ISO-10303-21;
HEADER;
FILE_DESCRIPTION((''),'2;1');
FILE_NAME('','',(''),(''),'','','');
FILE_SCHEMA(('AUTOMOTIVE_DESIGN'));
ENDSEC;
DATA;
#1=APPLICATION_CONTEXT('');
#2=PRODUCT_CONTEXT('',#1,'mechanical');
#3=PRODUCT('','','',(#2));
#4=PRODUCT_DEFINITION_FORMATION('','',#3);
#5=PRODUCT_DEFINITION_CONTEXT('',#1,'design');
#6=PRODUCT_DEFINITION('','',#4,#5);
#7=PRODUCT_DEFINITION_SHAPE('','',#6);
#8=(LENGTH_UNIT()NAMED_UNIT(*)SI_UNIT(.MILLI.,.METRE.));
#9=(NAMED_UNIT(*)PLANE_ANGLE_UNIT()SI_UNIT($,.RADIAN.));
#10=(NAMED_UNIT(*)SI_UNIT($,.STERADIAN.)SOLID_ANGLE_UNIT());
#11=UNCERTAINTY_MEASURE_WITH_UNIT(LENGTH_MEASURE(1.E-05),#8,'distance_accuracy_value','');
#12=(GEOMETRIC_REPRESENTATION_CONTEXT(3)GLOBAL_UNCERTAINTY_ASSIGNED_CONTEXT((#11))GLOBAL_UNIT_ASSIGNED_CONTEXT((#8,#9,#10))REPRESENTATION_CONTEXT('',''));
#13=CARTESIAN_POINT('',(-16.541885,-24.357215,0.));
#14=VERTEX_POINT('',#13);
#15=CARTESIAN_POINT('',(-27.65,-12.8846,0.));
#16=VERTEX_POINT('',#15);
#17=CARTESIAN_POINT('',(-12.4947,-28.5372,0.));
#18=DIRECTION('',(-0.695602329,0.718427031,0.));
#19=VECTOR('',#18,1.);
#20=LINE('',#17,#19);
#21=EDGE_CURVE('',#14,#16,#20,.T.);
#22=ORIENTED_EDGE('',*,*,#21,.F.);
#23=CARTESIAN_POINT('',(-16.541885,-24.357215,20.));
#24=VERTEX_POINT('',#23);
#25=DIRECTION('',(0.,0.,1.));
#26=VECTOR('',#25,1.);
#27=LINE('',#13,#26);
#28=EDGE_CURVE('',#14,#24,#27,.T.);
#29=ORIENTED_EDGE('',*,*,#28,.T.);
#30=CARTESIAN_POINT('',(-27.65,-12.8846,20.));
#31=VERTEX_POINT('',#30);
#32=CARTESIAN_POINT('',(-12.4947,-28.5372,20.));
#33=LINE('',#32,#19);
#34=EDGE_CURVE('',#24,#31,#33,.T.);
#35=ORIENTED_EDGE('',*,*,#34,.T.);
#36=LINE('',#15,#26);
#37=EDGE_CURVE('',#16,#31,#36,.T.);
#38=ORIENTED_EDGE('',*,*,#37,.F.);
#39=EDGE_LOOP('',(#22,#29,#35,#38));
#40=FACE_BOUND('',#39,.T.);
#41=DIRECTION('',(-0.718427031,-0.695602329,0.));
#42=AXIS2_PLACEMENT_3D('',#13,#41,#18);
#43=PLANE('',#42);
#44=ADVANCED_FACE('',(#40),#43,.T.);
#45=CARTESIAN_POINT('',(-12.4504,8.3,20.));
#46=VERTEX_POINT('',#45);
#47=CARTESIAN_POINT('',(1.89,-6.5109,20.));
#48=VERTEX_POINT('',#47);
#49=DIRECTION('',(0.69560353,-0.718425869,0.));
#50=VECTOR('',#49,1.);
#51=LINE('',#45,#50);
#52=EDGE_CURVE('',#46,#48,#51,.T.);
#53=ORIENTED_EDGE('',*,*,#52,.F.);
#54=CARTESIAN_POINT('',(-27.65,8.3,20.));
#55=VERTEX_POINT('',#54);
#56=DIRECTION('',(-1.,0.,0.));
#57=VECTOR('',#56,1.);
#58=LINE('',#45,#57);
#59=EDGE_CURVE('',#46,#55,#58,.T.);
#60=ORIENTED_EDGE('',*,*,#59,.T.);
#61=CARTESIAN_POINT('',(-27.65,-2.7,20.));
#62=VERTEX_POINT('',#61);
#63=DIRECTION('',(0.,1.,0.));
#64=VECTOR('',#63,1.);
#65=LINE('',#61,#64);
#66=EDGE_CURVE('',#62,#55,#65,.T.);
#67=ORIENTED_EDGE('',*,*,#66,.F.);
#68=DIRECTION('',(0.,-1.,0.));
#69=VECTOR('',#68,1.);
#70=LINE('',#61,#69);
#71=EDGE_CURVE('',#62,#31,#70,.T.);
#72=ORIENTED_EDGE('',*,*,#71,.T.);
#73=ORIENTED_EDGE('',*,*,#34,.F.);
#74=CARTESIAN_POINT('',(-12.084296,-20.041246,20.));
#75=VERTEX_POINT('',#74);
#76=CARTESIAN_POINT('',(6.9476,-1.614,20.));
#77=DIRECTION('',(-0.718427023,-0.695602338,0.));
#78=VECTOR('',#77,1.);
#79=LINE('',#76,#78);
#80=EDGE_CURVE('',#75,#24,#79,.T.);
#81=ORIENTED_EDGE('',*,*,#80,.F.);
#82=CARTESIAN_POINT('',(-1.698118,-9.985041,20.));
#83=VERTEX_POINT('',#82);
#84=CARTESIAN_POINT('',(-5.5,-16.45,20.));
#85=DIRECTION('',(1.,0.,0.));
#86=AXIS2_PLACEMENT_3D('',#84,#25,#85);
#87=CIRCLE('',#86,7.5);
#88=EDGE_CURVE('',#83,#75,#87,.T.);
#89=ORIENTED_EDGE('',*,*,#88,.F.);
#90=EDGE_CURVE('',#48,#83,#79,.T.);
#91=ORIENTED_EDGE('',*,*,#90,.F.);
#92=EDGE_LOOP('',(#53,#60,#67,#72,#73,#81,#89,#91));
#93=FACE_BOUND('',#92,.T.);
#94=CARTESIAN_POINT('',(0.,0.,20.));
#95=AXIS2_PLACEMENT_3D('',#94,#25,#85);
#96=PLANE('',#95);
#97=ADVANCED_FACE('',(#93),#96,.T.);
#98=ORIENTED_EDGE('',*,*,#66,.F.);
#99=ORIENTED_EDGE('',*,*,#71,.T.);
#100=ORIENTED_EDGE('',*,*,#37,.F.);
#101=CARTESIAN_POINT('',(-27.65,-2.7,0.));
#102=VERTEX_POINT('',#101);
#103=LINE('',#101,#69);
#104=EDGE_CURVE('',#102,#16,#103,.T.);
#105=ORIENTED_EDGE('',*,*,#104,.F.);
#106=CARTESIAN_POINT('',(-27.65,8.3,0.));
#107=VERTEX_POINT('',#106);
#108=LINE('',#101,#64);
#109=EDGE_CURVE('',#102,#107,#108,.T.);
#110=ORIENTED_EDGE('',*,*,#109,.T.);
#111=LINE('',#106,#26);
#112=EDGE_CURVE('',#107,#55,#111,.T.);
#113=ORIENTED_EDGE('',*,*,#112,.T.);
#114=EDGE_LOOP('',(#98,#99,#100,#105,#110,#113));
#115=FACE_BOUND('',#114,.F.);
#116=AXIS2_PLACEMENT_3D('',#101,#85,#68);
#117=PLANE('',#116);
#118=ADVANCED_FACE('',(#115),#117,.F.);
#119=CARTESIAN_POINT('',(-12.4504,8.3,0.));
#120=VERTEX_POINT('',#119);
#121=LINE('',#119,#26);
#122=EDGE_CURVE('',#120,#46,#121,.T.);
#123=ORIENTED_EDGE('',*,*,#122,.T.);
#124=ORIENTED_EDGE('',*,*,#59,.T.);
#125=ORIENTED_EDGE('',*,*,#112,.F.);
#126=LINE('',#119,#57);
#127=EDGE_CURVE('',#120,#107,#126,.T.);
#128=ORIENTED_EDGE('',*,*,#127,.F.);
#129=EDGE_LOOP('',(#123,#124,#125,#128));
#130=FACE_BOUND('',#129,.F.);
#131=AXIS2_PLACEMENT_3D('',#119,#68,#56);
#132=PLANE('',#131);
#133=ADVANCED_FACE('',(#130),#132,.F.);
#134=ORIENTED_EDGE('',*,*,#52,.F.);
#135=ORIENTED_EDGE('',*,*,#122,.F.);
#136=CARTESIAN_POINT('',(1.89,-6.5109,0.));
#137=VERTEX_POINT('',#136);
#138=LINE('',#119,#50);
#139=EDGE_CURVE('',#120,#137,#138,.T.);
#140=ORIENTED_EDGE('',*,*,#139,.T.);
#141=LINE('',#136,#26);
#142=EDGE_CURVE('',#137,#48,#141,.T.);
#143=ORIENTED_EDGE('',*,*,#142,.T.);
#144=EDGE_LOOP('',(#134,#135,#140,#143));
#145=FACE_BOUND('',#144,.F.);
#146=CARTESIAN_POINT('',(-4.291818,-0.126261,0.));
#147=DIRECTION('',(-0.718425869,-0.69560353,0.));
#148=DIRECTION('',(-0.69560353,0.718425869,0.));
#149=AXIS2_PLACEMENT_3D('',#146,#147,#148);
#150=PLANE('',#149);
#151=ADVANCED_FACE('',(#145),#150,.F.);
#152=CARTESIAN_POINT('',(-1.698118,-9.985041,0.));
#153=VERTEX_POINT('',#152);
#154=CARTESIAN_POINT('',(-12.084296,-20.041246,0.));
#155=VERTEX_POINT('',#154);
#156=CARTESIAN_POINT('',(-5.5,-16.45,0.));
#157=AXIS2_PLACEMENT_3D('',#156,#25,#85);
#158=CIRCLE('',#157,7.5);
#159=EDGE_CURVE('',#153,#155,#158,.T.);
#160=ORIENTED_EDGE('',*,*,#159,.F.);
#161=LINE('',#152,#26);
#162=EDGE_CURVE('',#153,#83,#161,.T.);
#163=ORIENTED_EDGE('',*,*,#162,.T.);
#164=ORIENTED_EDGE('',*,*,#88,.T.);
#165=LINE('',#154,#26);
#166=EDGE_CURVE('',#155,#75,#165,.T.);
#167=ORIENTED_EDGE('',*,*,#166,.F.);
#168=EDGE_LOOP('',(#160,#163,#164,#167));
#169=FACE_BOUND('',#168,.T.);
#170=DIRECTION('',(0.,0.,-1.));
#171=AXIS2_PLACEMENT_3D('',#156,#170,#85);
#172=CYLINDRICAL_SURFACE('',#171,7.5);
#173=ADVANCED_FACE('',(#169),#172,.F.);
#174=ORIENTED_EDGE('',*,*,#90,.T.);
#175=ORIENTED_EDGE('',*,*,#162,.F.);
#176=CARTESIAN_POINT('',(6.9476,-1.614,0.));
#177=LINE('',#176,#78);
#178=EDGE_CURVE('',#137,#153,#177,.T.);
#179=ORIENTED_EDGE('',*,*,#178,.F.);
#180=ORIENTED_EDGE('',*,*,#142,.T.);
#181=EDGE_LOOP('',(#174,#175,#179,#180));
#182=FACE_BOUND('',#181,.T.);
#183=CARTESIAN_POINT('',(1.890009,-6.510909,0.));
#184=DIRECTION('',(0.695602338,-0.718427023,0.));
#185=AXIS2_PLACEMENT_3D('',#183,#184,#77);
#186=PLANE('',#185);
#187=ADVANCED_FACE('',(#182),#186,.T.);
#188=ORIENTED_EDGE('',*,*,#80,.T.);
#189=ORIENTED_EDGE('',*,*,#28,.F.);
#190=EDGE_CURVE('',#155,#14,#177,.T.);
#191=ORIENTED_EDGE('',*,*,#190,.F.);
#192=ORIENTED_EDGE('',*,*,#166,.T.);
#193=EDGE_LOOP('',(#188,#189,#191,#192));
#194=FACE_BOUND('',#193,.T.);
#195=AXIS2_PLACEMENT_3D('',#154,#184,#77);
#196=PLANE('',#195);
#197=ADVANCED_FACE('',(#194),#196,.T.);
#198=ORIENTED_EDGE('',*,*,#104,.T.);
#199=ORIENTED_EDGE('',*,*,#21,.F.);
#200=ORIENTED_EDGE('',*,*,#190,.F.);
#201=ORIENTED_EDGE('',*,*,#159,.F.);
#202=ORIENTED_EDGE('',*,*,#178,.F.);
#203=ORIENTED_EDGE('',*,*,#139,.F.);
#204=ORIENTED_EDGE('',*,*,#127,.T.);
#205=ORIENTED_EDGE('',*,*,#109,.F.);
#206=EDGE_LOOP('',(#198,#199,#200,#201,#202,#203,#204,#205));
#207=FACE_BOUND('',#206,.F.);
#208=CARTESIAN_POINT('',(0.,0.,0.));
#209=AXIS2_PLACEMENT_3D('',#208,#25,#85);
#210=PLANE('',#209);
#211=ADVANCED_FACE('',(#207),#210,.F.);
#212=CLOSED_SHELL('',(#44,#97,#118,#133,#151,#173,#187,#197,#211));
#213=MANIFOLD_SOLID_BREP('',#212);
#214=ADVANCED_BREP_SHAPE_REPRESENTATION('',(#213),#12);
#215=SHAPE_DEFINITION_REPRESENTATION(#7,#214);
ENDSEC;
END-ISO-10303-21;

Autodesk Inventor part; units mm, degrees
ref_plane "YZ Plane" through (0, 0, 0) normal (1, 0, 0) x (0, 1, 0)
ref_plane "XZ Plane" through (0, 0, 0) normal (0, 1, 0) x (-1, 0, 0)
ref_plane "XY Plane" through (0, 0, 0) normal (0, 0, 1) x (1, 0, 0)
sketch "Sketch1" plane through (0, 0, 0) normal (0, 0, 1) x (1, 0, 0)
  circle A0 centre (-22.95, -2.7) radius 1.7 projected
  circle A1 centre (-6.95, -2.7) radius 1.7 projected
  circle A2 centre (-22.95, -2.7) radius 4.7
  circle A3 centre (-6.95, -2.7) radius 3.7
  line L0 (3.4322, -7.8015) -> (-0.1118, -11.233) projected
  line L1 (6.9476, -1.614) -> (-26.719, -34.211)
  line L2 (-14.4322, -25.0985) -> (-13.041, -26.5353) projected
  line L3 (-12.4947, -28.5372) -> (-38.4967, -1.682)
  line L4 (-27.65, -2.7) -> (-27.65, -12.8846)
  arc A4 (-10.8882, -21.667) -> (-0.1118, -11.233) centre (-5.5, -16.45) ccw projected
  line L5 (-5.5, -16.45) -> (-6.8912, -15.0131)
  line L6 (-27.65, -2.7) -> (-22.95, -2.7)
  line L7 (-2.8497, 4.7907) -> (-5.9286, 4.7907) construction
  line L8 (1, 3.7907) -> (-32.1675, 3.7907)
  line L9 (1.89, -6.5109) -> (-12.4504, 8.3)
  line L10 (-12.4504, 8.3) -> (-43.44, 8.3)
  line L11 (-27.65, 8.3) -> (-27.65, -2.7)
  circle A5 centre (-5.5, -16.45) radius 7.5
  point P0 (0, 0)
  point P1 (-22.95, 2)
  point P2 (-6.95, 1)
  point P3 (-3.8133, -0.7376)
  point P4 (2.6084, -5.8153)
  point P5 (-13.7366, -25.8169)
  point P6 (-16.5419, -24.3572)
  point P7 (-4.3892, 4.7907)
  point P8 (-6.8365, 3.7907)
  point P9 (-27.65, 3.7907)
  point P10 (-4.2918, -0.1263)
  point P11 (-12.0843, -20.0413)
  point P12 (-1.6981, -9.985)
  dimension "d0" = 3
  dimension "d1" = 2
  dimension "d2" = 2
  dimension "d3" = 1
  dimension "d9" = 1
  dimension "d10" = 11
extrude "Extrusion1" add sketch "Sketch1" along normal blind 20 contours A0 | A2 | A3 | L11 L8 L9 L1 A5 L3 L4 | L11 L10 L9 L8 | A1
properties part number "back cpap holder and pg"
